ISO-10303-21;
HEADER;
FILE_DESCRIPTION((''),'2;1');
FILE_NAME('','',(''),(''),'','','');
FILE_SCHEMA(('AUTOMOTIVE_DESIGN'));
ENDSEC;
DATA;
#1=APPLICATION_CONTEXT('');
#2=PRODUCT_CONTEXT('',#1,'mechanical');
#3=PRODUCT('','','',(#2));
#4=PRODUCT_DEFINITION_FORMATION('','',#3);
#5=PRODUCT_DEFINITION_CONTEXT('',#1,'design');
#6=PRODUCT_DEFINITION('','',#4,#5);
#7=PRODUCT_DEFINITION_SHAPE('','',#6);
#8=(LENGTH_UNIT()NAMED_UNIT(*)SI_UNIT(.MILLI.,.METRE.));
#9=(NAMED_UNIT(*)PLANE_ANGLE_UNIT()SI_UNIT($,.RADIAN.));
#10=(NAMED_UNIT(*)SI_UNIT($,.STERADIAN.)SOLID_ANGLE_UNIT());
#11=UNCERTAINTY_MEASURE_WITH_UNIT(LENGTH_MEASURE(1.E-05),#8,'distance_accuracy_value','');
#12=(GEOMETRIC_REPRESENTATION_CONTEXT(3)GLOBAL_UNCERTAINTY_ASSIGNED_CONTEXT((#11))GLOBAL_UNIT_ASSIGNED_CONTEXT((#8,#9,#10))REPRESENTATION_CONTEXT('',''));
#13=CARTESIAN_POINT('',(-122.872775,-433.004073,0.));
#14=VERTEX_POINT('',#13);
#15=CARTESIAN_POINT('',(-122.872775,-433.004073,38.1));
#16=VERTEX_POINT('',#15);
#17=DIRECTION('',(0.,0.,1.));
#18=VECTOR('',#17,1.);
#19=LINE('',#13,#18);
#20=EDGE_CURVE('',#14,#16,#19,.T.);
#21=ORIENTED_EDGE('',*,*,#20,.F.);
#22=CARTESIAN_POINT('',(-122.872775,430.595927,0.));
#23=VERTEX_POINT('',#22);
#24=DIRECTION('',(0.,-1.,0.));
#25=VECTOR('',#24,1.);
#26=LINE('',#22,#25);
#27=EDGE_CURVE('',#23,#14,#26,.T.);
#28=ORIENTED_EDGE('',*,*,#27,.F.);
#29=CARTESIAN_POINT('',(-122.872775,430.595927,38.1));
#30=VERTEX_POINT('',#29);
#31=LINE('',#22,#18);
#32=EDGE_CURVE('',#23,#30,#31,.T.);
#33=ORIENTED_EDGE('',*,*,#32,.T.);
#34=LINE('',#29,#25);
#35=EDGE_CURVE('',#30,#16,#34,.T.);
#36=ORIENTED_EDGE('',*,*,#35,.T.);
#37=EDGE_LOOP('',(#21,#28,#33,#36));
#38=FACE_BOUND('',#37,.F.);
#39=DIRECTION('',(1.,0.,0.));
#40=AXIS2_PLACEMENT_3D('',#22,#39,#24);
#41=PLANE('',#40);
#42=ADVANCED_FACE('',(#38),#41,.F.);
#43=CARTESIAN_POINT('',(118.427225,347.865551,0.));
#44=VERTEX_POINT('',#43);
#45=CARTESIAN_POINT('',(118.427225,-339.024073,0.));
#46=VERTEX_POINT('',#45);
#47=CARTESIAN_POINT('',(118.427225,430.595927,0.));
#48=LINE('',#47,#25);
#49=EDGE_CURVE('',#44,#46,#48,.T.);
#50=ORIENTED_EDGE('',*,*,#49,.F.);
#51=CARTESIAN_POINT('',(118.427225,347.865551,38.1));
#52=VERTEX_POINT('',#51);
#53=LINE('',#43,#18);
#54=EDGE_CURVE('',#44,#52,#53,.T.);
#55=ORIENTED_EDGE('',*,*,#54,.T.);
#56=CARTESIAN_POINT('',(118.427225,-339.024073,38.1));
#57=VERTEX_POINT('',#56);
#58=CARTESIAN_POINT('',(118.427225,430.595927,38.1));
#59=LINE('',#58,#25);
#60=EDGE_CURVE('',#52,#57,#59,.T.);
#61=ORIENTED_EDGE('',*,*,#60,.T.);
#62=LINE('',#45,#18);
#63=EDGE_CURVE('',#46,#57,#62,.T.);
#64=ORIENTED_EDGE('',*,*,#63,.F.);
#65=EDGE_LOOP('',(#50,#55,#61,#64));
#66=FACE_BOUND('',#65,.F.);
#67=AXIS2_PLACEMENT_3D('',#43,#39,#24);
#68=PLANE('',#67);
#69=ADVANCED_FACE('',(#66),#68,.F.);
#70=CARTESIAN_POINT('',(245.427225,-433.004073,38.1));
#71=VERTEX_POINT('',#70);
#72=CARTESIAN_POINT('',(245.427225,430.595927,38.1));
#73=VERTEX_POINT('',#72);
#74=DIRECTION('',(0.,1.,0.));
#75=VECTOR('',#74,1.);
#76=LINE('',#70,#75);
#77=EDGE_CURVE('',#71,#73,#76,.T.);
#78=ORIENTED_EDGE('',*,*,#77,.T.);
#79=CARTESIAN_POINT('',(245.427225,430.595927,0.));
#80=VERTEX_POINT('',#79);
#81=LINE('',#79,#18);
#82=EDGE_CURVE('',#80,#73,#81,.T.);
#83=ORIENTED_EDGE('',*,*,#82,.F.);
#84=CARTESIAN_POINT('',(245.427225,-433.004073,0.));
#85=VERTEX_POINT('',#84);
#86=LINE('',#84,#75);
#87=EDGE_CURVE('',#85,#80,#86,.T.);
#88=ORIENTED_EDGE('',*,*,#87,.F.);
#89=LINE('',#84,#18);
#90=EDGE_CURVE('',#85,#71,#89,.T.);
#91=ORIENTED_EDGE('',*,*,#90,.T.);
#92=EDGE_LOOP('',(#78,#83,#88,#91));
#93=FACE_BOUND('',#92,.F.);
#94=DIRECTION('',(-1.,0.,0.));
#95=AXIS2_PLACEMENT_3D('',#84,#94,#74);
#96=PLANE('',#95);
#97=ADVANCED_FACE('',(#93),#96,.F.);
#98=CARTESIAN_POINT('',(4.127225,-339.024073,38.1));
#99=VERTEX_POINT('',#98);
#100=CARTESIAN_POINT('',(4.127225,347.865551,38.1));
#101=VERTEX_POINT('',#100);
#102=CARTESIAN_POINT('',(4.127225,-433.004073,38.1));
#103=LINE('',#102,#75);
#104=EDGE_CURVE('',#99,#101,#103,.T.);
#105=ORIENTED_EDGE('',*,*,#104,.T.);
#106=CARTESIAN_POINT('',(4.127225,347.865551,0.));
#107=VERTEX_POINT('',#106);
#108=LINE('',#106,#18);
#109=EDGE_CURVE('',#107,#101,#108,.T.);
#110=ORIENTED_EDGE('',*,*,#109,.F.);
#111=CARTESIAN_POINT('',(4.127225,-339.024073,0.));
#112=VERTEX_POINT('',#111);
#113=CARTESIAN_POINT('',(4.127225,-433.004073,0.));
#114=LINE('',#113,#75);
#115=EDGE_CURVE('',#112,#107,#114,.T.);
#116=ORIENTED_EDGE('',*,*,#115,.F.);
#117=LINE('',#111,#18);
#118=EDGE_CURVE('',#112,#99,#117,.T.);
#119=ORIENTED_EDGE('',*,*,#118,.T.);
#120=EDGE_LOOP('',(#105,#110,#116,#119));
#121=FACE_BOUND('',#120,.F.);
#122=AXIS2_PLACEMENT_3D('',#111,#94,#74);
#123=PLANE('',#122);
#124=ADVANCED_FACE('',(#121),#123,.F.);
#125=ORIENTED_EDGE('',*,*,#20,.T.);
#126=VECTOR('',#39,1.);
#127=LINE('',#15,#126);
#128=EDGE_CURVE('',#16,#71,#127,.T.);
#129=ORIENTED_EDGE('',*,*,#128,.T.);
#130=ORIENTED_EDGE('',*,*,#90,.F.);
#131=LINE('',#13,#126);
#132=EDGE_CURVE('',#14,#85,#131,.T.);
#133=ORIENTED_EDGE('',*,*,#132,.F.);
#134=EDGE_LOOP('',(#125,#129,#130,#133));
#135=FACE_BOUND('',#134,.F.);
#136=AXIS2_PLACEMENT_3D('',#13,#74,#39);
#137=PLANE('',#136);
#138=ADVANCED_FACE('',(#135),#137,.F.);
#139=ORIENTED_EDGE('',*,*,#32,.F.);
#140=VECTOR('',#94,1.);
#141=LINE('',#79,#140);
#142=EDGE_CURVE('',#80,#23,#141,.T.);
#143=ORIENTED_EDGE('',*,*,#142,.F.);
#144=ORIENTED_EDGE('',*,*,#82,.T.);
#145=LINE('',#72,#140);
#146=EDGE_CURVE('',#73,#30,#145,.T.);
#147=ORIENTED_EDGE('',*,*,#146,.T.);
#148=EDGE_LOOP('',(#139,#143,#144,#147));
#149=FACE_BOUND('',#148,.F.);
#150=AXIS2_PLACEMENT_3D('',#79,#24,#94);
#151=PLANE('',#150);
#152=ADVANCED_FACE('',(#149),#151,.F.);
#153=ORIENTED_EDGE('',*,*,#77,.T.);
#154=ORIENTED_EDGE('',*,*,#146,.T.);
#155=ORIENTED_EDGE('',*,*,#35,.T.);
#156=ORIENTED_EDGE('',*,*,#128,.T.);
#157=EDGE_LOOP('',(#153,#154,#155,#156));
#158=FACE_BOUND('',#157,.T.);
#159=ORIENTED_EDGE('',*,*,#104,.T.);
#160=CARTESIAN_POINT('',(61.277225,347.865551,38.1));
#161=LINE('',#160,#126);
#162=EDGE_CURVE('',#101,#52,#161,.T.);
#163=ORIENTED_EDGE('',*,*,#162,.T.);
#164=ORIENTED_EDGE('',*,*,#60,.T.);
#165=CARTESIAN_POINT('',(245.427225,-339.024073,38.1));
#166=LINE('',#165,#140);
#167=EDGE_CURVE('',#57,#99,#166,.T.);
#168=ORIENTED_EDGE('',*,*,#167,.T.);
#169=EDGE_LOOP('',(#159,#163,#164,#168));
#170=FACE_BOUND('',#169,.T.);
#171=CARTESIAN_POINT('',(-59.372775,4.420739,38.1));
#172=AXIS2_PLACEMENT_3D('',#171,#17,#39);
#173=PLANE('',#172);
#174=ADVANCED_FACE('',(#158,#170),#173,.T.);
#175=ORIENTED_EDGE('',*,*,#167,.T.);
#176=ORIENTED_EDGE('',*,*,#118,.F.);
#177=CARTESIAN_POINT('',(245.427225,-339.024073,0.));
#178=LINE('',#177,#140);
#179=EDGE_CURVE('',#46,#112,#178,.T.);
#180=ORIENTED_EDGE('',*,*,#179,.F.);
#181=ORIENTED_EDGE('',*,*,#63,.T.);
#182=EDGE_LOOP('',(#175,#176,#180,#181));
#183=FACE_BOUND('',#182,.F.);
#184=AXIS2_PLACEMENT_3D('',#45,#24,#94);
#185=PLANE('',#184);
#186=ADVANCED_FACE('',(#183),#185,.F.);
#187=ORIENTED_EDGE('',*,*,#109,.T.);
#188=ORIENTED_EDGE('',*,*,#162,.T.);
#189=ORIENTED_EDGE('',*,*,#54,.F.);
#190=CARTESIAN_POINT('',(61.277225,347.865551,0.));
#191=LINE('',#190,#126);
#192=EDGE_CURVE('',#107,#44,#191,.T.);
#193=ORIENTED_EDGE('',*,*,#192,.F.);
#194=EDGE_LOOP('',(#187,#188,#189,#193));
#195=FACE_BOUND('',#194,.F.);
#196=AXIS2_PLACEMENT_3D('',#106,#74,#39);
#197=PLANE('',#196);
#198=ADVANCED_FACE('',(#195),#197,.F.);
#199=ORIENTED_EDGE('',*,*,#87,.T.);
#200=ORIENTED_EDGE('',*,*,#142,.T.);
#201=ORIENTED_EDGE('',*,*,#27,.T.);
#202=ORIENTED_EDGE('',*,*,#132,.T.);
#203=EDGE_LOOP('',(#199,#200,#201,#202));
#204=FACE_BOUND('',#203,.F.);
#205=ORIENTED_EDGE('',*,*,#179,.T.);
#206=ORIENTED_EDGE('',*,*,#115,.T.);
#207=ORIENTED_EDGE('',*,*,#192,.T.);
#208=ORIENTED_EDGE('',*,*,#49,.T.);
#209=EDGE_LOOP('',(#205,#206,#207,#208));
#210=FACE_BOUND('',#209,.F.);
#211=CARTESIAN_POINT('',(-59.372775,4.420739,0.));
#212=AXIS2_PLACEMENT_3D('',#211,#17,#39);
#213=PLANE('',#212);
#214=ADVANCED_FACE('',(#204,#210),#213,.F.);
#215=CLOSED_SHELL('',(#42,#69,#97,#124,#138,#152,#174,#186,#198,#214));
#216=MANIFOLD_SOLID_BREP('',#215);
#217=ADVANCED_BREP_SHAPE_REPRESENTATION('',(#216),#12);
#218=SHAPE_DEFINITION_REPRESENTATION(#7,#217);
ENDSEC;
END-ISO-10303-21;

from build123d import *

# Parameters (mm, degrees)
F0_W     = 127
F0_H     = 686.889625
F0_H_2   = 93.98
F0_W_2   = 114.3
F0_H_3   = 82.730375
F1_DEPTH = 38.1


with BuildPart() as f1:
    # F0 (on Top) → F1 (new body)
    with BuildSketch(Plane.XY):
        with Locations((-59.372775, 4.420739)):
            Rectangle(F0_W, F0_H)
        with Locations((-59.372775, -386.014073)):
            Rectangle(F0_W, F0_H_2)
        with Locations((61.277225, -386.014073)):
            Rectangle(F0_W_2, F0_H_2)
        with Locations((181.927225, -386.014073)):
            Rectangle(F0_W, F0_H_2)
        with Locations((181.927225, 4.420739)):
            Rectangle(F0_W, F0_H)
        with Locations((181.927225, 389.230739)):
            Rectangle(F0_W, F0_H_3)
        with Locations((61.277225, 389.230739)):
            Rectangle(F0_W_2, F0_H_3)
        with Locations((-59.372775, 389.230739)):
            Rectangle(F0_W, F0_H_3)
    extrude(amount=F1_DEPTH)


solid = f1.part
